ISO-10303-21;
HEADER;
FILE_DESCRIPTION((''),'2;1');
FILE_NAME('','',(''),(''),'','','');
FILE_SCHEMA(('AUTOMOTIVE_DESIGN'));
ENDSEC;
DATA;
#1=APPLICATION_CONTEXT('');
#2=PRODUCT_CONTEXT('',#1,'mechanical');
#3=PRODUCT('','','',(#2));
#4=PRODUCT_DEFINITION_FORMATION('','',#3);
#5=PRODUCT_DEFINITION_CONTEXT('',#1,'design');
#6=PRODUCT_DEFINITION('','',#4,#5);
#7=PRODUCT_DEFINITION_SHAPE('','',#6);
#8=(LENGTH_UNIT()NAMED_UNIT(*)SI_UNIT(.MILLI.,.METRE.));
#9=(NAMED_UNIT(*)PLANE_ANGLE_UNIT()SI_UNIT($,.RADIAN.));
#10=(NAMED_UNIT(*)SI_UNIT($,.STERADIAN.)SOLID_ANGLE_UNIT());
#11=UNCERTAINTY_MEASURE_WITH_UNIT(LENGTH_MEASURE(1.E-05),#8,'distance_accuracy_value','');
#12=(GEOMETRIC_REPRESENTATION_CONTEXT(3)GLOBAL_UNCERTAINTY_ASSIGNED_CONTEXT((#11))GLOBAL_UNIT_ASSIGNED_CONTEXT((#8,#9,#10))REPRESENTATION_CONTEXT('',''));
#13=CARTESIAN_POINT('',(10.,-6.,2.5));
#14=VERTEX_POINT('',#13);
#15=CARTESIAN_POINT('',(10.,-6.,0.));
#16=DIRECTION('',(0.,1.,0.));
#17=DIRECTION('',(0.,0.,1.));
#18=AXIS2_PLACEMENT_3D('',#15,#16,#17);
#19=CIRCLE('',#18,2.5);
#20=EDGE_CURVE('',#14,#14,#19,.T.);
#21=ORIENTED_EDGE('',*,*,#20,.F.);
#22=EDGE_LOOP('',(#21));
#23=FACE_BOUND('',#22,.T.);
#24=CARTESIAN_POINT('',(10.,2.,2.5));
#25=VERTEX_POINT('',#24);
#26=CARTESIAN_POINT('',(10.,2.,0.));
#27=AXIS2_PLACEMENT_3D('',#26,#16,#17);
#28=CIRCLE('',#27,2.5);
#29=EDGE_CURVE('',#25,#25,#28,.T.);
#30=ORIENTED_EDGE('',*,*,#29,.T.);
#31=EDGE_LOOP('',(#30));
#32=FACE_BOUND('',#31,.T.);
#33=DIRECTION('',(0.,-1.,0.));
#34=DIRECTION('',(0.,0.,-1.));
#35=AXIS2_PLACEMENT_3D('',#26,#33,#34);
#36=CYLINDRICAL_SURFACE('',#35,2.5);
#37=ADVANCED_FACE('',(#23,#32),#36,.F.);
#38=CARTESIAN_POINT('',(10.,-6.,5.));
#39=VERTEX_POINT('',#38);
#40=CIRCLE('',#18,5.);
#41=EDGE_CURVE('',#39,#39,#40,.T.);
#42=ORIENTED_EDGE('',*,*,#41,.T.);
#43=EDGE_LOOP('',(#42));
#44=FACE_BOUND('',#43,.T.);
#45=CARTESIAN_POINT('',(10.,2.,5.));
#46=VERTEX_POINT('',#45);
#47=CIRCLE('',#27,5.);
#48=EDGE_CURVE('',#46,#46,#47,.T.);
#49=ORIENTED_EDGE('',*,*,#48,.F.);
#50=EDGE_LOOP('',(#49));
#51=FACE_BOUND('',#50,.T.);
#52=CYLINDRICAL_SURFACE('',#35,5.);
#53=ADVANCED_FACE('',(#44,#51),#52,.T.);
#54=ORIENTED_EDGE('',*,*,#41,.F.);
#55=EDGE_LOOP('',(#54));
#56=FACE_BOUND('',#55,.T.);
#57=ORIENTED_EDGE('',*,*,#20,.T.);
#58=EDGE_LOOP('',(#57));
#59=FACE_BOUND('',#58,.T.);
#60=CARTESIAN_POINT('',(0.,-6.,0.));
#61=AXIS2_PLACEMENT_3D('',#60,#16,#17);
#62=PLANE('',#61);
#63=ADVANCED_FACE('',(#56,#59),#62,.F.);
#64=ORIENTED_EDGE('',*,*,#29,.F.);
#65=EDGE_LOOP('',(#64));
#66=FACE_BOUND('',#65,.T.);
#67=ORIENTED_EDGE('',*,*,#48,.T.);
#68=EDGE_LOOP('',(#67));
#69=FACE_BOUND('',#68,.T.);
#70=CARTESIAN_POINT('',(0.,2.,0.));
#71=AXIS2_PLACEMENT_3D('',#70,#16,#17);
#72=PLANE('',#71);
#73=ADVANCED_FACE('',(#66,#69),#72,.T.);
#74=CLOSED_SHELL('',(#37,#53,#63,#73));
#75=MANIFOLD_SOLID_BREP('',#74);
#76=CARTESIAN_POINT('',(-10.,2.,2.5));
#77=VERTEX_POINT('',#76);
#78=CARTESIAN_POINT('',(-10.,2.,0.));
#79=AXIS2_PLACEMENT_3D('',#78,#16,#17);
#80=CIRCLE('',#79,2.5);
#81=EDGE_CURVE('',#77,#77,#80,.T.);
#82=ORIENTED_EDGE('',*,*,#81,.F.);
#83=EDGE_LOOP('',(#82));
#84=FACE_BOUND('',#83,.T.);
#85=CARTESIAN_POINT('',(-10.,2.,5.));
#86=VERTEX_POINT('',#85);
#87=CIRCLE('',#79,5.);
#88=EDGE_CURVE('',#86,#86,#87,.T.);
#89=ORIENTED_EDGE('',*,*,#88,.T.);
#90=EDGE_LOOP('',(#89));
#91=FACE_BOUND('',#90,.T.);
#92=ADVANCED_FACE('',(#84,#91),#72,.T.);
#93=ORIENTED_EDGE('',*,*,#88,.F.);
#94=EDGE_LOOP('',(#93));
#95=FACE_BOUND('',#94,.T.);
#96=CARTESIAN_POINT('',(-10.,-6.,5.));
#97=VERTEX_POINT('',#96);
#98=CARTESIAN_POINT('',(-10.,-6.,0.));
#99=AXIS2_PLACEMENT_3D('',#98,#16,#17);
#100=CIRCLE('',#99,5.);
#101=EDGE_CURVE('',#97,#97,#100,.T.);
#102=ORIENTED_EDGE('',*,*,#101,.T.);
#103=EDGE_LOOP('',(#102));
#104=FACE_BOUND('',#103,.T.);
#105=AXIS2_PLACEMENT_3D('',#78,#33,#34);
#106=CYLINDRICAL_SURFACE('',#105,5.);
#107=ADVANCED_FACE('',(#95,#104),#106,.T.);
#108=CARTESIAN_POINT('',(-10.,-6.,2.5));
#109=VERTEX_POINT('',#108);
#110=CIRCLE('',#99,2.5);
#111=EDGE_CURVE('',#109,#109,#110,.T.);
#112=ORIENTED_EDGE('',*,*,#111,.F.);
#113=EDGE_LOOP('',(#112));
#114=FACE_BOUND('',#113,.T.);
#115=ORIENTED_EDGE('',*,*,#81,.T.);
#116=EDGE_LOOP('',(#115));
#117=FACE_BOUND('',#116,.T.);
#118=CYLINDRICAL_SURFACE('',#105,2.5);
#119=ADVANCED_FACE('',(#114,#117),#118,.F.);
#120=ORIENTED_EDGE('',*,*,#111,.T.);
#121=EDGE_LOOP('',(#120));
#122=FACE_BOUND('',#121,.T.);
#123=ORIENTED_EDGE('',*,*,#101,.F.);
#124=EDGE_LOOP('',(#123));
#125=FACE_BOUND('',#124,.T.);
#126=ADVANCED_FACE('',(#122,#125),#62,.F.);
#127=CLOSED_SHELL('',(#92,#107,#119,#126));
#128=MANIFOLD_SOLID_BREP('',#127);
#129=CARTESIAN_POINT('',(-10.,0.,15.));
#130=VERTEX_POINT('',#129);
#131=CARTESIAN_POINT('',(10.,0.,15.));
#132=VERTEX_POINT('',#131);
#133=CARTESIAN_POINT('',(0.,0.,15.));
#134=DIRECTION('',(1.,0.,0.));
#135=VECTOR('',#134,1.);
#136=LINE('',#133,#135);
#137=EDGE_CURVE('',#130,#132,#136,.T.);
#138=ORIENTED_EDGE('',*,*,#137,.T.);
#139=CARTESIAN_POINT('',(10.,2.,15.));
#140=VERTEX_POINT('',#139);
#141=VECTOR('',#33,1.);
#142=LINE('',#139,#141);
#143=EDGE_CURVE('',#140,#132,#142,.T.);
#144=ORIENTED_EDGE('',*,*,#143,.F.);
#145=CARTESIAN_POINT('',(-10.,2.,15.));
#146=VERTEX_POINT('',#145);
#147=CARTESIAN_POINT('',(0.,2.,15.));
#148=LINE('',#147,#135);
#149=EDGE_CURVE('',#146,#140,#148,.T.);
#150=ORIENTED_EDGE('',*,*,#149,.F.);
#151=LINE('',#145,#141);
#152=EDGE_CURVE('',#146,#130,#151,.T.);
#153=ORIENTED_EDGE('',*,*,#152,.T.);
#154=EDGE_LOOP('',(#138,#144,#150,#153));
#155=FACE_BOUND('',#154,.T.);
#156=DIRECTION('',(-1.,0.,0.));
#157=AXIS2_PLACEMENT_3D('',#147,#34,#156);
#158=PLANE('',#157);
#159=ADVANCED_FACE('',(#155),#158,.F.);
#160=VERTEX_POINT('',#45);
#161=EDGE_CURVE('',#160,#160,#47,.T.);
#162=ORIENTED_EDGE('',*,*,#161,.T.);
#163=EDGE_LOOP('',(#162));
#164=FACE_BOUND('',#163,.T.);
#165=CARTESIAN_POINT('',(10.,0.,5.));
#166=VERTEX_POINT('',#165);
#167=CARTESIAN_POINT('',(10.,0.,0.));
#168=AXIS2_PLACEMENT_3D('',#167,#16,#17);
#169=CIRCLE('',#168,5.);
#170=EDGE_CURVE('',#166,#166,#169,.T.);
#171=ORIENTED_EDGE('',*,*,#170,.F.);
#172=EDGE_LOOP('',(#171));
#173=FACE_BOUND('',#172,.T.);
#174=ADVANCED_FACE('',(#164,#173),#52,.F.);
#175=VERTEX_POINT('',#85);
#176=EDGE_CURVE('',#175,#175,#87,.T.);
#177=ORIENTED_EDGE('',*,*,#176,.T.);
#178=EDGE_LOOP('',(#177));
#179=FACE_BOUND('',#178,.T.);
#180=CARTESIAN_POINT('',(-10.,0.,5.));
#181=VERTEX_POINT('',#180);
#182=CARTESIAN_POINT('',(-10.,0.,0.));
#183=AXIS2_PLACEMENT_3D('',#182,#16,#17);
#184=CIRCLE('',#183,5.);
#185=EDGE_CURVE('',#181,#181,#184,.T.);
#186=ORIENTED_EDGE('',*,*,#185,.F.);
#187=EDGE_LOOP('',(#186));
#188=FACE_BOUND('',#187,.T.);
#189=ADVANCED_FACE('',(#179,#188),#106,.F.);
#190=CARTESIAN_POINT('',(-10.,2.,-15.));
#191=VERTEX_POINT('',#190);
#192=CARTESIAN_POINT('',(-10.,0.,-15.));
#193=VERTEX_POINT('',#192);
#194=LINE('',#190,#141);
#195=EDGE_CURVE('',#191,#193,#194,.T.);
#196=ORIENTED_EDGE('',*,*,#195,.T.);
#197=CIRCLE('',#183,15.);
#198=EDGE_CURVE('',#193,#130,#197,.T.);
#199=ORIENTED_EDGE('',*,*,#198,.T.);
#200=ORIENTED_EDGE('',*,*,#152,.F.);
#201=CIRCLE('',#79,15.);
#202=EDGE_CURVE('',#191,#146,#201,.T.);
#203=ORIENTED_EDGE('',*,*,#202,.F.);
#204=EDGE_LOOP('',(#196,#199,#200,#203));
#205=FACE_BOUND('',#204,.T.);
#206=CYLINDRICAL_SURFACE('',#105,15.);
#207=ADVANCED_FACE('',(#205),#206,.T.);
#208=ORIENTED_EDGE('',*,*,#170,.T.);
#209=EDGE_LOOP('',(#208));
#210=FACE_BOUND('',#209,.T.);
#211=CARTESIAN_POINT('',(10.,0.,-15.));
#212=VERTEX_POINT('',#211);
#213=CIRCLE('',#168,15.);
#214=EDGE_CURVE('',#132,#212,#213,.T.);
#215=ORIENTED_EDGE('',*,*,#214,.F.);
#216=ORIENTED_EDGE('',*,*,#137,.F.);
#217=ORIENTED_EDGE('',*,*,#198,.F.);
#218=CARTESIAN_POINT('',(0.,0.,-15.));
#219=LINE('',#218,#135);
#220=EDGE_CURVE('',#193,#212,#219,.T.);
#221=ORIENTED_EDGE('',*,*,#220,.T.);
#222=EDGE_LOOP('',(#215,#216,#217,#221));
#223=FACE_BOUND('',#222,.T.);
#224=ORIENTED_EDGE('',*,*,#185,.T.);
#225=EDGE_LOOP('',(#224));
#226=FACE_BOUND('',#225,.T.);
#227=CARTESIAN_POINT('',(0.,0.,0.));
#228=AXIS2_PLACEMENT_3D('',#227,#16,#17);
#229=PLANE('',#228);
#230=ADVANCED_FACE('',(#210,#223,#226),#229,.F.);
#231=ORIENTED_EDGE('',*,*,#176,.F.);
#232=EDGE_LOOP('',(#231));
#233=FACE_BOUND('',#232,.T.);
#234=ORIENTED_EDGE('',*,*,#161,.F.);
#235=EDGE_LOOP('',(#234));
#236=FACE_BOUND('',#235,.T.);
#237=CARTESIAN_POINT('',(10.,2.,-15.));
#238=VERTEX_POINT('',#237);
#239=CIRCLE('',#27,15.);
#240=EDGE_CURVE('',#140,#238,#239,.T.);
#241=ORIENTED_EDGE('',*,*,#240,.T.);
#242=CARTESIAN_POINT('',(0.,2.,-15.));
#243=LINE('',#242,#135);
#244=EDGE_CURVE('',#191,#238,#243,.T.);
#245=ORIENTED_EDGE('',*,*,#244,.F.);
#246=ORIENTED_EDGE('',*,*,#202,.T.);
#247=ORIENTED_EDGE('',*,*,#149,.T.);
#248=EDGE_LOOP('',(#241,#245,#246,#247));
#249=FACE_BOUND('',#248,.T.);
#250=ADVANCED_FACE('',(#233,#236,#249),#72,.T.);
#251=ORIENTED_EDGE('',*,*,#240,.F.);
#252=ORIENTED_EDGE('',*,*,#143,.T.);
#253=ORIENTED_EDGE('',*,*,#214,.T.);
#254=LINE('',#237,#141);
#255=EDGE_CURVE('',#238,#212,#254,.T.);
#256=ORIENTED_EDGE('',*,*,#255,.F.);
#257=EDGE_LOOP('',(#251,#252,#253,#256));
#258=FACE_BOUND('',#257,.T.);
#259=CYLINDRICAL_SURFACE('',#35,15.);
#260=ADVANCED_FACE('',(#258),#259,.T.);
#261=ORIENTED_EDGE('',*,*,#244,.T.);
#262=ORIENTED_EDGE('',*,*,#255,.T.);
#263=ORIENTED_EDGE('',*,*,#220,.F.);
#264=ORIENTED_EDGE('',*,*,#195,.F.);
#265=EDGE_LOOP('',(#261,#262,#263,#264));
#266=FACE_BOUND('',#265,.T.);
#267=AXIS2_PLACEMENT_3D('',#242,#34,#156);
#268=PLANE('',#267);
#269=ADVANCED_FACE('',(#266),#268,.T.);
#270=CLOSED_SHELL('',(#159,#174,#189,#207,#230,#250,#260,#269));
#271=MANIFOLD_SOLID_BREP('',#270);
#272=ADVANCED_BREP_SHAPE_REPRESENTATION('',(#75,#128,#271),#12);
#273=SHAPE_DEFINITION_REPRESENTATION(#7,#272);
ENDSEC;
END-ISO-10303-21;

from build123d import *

# Parameters (mm, degrees)
SKETCH1_R                  = 5
BOSS_EXTRUDE1_DEPTH        = 2
BOSS_EXTRUDE2_DEPTH        = 2
BOSS_EXTRUDE2_DEPTH_BACK   = 6
SKETCH1_3_R                = 5
SKETCH1_3_R_2              = 2.5
BOSS_EXTRUDE2_2_DEPTH      = 2
BOSS_EXTRUDE2_2_DEPTH_BACK = 6


with BuildPart() as part:
    # Sketch1 → Boss-Extrude1 (new body)
    with BuildSketch(Plane(origin=(0, 0, 0), x_dir=(1, 0, 0), z_dir=(0, 1, 0))):
        with BuildLine():
            Line((10, 15), (-10, 15))
            ThreePointArc((-10, 15), (-25, 0), (-10, -15))
            Line((-10, -15), (10, -15))
            ThreePointArc((10, -15), (25, 0), (10, 15))
        make_face()
        with Locations((-10, 0)):
            Circle(SKETCH1_R, mode=Mode.SUBTRACT)
        with Locations((10, 0)):
            Circle(SKETCH1_R, mode=Mode.SUBTRACT)
    extrude(amount=BOSS_EXTRUDE1_DEPTH)


with BuildPart() as body_2:
    # Sketch1<3> → Boss-Extrude2 (new, two sides: drawn at the far end of the back side and taken through both)
    with BuildSketch(Plane(origin=(0, 0, 0), x_dir=(1, 0, 0), z_dir=(0, 1, 0)).offset(-BOSS_EXTRUDE2_DEPTH_BACK)):
        with Locations((-10, 0)):
            Circle(SKETCH1_3_R)
        with Locations((-10, 0)):
            Circle(SKETCH1_3_R_2, mode=Mode.SUBTRACT)
    extrude(amount=BOSS_EXTRUDE2_DEPTH + BOSS_EXTRUDE2_DEPTH_BACK)


with BuildPart() as body_3:
    # Sketch1<3> → Boss-Extrude2 2 (new, two sides: drawn at the far end of the back side and taken through both)
    with BuildSketch(Plane(origin=(0, 0, 0), x_dir=(1, 0, 0), z_dir=(0, 1, 0)).offset(-BOSS_EXTRUDE2_2_DEPTH_BACK)):
        with Locations((10, 0)):
            Circle(SKETCH1_3_R)
        with Locations((10, 0)):
            Circle(SKETCH1_3_R_2, mode=Mode.SUBTRACT)
    extrude(amount=BOSS_EXTRUDE2_2_DEPTH + BOSS_EXTRUDE2_2_DEPTH_BACK)


solid = Compound([part.part, body_2.part, body_3.part])
